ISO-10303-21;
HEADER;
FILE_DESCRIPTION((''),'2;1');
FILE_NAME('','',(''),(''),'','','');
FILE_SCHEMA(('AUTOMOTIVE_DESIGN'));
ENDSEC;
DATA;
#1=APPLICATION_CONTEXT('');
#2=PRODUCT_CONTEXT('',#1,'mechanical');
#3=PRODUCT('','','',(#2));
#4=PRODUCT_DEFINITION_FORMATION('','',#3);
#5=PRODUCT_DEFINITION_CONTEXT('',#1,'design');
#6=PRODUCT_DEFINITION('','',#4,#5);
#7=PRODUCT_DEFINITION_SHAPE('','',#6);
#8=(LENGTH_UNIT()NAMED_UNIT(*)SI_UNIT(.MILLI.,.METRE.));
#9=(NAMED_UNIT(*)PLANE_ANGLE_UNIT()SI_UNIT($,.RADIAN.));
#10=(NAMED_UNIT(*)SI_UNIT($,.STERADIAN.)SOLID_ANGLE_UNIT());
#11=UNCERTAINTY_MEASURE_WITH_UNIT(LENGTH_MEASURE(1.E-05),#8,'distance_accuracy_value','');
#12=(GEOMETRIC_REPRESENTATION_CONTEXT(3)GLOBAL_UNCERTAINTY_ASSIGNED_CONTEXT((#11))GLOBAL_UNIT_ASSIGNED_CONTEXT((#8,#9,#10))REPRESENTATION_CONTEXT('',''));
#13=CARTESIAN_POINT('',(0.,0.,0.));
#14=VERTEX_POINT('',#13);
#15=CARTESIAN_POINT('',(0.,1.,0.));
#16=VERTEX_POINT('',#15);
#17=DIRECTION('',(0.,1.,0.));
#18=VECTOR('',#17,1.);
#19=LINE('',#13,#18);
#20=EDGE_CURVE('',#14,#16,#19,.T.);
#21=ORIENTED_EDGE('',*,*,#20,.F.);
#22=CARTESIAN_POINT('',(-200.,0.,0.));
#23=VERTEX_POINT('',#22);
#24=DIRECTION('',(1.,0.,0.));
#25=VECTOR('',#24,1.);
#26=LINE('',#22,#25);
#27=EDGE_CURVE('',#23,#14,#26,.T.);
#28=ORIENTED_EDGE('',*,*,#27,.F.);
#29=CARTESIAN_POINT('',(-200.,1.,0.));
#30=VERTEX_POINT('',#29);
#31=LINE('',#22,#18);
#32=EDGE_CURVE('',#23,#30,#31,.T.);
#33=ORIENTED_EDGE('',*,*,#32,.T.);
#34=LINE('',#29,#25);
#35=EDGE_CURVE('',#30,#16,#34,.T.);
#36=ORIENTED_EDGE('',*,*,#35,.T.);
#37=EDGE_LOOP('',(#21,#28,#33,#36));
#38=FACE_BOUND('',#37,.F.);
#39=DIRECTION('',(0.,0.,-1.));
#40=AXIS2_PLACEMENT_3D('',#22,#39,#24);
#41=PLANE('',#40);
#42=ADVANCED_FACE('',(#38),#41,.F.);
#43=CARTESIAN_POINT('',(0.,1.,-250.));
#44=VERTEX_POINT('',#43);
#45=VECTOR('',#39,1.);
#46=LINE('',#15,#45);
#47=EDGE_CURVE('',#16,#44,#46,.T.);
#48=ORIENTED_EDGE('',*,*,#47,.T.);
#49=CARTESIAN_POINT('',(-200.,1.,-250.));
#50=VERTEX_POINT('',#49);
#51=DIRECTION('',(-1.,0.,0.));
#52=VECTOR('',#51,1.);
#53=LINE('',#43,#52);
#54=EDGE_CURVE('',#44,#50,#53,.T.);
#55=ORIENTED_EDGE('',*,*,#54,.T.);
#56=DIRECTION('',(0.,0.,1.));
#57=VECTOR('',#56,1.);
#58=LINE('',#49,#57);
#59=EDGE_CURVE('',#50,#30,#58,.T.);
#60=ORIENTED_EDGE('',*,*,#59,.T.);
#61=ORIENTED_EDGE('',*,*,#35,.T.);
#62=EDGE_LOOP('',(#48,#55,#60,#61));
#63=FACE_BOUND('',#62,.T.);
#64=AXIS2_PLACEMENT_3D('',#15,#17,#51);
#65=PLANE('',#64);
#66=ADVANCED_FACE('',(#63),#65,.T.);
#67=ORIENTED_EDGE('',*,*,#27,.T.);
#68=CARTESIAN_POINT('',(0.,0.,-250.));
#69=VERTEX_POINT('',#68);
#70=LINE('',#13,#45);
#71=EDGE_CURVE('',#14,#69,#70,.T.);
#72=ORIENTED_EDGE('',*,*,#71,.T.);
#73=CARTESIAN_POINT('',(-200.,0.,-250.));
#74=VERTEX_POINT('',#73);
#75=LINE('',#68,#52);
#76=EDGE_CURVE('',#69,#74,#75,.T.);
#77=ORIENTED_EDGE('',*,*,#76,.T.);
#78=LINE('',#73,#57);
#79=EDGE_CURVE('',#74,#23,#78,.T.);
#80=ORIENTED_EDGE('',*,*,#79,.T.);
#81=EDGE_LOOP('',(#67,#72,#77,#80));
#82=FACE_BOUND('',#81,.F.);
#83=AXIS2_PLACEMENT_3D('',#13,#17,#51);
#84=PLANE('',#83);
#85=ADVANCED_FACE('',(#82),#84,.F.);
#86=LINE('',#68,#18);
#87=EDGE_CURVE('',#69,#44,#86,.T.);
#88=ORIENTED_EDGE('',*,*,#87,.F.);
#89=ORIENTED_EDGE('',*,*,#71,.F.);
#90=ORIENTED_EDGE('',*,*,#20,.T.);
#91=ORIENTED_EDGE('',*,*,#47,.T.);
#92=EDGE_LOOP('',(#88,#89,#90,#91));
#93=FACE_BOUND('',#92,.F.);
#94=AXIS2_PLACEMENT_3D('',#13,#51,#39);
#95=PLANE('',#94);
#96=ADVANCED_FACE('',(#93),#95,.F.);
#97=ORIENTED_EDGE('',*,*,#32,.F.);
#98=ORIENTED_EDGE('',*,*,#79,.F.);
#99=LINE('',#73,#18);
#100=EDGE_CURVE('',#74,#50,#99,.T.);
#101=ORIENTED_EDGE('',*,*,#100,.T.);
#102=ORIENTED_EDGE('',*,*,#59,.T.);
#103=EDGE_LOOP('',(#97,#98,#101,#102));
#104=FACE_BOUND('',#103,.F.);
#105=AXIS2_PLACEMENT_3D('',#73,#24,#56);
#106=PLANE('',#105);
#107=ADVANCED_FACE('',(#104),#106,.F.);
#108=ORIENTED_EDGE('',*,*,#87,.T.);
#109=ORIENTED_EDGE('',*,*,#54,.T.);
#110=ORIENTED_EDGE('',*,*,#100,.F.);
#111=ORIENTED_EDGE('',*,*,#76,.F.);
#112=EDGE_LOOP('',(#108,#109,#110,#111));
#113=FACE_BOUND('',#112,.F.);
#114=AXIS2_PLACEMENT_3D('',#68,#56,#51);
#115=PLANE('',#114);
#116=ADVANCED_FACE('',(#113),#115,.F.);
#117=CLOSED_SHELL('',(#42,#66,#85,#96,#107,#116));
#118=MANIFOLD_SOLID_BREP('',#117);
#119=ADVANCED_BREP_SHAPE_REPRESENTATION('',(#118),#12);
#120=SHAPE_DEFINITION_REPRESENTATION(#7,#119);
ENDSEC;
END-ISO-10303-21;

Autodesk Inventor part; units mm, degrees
ref_plane "YZ Plane" through (0, 0, 0) normal (1, 0, 0) x (0, 1, 0)
ref_plane "XZ Plane" through (0, 0, 0) normal (0, 1, 0) x (-1, 0, 0)
ref_plane "XY Plane" through (0, 0, 0) normal (0, 0, 1) x (1, 0, 0)
sketch "Sketch1" plane through (0, 0, 0) normal (0, 1, 0) x (-1, 0, 0)
  line L0 (0, 0) -> (0, -250)
  line L1 (0, -250) -> (200, -250)
  line L2 (200, -250) -> (200, 0)
  line L3 (200, 0) -> (0, 0)
  dimension "d0" = 250
  dimension "d1" = 200
extrude "Extrusion1" add sketch "Sketch1" along normal blind 1
properties part number "Ultibots200x250KaptonHeater"
